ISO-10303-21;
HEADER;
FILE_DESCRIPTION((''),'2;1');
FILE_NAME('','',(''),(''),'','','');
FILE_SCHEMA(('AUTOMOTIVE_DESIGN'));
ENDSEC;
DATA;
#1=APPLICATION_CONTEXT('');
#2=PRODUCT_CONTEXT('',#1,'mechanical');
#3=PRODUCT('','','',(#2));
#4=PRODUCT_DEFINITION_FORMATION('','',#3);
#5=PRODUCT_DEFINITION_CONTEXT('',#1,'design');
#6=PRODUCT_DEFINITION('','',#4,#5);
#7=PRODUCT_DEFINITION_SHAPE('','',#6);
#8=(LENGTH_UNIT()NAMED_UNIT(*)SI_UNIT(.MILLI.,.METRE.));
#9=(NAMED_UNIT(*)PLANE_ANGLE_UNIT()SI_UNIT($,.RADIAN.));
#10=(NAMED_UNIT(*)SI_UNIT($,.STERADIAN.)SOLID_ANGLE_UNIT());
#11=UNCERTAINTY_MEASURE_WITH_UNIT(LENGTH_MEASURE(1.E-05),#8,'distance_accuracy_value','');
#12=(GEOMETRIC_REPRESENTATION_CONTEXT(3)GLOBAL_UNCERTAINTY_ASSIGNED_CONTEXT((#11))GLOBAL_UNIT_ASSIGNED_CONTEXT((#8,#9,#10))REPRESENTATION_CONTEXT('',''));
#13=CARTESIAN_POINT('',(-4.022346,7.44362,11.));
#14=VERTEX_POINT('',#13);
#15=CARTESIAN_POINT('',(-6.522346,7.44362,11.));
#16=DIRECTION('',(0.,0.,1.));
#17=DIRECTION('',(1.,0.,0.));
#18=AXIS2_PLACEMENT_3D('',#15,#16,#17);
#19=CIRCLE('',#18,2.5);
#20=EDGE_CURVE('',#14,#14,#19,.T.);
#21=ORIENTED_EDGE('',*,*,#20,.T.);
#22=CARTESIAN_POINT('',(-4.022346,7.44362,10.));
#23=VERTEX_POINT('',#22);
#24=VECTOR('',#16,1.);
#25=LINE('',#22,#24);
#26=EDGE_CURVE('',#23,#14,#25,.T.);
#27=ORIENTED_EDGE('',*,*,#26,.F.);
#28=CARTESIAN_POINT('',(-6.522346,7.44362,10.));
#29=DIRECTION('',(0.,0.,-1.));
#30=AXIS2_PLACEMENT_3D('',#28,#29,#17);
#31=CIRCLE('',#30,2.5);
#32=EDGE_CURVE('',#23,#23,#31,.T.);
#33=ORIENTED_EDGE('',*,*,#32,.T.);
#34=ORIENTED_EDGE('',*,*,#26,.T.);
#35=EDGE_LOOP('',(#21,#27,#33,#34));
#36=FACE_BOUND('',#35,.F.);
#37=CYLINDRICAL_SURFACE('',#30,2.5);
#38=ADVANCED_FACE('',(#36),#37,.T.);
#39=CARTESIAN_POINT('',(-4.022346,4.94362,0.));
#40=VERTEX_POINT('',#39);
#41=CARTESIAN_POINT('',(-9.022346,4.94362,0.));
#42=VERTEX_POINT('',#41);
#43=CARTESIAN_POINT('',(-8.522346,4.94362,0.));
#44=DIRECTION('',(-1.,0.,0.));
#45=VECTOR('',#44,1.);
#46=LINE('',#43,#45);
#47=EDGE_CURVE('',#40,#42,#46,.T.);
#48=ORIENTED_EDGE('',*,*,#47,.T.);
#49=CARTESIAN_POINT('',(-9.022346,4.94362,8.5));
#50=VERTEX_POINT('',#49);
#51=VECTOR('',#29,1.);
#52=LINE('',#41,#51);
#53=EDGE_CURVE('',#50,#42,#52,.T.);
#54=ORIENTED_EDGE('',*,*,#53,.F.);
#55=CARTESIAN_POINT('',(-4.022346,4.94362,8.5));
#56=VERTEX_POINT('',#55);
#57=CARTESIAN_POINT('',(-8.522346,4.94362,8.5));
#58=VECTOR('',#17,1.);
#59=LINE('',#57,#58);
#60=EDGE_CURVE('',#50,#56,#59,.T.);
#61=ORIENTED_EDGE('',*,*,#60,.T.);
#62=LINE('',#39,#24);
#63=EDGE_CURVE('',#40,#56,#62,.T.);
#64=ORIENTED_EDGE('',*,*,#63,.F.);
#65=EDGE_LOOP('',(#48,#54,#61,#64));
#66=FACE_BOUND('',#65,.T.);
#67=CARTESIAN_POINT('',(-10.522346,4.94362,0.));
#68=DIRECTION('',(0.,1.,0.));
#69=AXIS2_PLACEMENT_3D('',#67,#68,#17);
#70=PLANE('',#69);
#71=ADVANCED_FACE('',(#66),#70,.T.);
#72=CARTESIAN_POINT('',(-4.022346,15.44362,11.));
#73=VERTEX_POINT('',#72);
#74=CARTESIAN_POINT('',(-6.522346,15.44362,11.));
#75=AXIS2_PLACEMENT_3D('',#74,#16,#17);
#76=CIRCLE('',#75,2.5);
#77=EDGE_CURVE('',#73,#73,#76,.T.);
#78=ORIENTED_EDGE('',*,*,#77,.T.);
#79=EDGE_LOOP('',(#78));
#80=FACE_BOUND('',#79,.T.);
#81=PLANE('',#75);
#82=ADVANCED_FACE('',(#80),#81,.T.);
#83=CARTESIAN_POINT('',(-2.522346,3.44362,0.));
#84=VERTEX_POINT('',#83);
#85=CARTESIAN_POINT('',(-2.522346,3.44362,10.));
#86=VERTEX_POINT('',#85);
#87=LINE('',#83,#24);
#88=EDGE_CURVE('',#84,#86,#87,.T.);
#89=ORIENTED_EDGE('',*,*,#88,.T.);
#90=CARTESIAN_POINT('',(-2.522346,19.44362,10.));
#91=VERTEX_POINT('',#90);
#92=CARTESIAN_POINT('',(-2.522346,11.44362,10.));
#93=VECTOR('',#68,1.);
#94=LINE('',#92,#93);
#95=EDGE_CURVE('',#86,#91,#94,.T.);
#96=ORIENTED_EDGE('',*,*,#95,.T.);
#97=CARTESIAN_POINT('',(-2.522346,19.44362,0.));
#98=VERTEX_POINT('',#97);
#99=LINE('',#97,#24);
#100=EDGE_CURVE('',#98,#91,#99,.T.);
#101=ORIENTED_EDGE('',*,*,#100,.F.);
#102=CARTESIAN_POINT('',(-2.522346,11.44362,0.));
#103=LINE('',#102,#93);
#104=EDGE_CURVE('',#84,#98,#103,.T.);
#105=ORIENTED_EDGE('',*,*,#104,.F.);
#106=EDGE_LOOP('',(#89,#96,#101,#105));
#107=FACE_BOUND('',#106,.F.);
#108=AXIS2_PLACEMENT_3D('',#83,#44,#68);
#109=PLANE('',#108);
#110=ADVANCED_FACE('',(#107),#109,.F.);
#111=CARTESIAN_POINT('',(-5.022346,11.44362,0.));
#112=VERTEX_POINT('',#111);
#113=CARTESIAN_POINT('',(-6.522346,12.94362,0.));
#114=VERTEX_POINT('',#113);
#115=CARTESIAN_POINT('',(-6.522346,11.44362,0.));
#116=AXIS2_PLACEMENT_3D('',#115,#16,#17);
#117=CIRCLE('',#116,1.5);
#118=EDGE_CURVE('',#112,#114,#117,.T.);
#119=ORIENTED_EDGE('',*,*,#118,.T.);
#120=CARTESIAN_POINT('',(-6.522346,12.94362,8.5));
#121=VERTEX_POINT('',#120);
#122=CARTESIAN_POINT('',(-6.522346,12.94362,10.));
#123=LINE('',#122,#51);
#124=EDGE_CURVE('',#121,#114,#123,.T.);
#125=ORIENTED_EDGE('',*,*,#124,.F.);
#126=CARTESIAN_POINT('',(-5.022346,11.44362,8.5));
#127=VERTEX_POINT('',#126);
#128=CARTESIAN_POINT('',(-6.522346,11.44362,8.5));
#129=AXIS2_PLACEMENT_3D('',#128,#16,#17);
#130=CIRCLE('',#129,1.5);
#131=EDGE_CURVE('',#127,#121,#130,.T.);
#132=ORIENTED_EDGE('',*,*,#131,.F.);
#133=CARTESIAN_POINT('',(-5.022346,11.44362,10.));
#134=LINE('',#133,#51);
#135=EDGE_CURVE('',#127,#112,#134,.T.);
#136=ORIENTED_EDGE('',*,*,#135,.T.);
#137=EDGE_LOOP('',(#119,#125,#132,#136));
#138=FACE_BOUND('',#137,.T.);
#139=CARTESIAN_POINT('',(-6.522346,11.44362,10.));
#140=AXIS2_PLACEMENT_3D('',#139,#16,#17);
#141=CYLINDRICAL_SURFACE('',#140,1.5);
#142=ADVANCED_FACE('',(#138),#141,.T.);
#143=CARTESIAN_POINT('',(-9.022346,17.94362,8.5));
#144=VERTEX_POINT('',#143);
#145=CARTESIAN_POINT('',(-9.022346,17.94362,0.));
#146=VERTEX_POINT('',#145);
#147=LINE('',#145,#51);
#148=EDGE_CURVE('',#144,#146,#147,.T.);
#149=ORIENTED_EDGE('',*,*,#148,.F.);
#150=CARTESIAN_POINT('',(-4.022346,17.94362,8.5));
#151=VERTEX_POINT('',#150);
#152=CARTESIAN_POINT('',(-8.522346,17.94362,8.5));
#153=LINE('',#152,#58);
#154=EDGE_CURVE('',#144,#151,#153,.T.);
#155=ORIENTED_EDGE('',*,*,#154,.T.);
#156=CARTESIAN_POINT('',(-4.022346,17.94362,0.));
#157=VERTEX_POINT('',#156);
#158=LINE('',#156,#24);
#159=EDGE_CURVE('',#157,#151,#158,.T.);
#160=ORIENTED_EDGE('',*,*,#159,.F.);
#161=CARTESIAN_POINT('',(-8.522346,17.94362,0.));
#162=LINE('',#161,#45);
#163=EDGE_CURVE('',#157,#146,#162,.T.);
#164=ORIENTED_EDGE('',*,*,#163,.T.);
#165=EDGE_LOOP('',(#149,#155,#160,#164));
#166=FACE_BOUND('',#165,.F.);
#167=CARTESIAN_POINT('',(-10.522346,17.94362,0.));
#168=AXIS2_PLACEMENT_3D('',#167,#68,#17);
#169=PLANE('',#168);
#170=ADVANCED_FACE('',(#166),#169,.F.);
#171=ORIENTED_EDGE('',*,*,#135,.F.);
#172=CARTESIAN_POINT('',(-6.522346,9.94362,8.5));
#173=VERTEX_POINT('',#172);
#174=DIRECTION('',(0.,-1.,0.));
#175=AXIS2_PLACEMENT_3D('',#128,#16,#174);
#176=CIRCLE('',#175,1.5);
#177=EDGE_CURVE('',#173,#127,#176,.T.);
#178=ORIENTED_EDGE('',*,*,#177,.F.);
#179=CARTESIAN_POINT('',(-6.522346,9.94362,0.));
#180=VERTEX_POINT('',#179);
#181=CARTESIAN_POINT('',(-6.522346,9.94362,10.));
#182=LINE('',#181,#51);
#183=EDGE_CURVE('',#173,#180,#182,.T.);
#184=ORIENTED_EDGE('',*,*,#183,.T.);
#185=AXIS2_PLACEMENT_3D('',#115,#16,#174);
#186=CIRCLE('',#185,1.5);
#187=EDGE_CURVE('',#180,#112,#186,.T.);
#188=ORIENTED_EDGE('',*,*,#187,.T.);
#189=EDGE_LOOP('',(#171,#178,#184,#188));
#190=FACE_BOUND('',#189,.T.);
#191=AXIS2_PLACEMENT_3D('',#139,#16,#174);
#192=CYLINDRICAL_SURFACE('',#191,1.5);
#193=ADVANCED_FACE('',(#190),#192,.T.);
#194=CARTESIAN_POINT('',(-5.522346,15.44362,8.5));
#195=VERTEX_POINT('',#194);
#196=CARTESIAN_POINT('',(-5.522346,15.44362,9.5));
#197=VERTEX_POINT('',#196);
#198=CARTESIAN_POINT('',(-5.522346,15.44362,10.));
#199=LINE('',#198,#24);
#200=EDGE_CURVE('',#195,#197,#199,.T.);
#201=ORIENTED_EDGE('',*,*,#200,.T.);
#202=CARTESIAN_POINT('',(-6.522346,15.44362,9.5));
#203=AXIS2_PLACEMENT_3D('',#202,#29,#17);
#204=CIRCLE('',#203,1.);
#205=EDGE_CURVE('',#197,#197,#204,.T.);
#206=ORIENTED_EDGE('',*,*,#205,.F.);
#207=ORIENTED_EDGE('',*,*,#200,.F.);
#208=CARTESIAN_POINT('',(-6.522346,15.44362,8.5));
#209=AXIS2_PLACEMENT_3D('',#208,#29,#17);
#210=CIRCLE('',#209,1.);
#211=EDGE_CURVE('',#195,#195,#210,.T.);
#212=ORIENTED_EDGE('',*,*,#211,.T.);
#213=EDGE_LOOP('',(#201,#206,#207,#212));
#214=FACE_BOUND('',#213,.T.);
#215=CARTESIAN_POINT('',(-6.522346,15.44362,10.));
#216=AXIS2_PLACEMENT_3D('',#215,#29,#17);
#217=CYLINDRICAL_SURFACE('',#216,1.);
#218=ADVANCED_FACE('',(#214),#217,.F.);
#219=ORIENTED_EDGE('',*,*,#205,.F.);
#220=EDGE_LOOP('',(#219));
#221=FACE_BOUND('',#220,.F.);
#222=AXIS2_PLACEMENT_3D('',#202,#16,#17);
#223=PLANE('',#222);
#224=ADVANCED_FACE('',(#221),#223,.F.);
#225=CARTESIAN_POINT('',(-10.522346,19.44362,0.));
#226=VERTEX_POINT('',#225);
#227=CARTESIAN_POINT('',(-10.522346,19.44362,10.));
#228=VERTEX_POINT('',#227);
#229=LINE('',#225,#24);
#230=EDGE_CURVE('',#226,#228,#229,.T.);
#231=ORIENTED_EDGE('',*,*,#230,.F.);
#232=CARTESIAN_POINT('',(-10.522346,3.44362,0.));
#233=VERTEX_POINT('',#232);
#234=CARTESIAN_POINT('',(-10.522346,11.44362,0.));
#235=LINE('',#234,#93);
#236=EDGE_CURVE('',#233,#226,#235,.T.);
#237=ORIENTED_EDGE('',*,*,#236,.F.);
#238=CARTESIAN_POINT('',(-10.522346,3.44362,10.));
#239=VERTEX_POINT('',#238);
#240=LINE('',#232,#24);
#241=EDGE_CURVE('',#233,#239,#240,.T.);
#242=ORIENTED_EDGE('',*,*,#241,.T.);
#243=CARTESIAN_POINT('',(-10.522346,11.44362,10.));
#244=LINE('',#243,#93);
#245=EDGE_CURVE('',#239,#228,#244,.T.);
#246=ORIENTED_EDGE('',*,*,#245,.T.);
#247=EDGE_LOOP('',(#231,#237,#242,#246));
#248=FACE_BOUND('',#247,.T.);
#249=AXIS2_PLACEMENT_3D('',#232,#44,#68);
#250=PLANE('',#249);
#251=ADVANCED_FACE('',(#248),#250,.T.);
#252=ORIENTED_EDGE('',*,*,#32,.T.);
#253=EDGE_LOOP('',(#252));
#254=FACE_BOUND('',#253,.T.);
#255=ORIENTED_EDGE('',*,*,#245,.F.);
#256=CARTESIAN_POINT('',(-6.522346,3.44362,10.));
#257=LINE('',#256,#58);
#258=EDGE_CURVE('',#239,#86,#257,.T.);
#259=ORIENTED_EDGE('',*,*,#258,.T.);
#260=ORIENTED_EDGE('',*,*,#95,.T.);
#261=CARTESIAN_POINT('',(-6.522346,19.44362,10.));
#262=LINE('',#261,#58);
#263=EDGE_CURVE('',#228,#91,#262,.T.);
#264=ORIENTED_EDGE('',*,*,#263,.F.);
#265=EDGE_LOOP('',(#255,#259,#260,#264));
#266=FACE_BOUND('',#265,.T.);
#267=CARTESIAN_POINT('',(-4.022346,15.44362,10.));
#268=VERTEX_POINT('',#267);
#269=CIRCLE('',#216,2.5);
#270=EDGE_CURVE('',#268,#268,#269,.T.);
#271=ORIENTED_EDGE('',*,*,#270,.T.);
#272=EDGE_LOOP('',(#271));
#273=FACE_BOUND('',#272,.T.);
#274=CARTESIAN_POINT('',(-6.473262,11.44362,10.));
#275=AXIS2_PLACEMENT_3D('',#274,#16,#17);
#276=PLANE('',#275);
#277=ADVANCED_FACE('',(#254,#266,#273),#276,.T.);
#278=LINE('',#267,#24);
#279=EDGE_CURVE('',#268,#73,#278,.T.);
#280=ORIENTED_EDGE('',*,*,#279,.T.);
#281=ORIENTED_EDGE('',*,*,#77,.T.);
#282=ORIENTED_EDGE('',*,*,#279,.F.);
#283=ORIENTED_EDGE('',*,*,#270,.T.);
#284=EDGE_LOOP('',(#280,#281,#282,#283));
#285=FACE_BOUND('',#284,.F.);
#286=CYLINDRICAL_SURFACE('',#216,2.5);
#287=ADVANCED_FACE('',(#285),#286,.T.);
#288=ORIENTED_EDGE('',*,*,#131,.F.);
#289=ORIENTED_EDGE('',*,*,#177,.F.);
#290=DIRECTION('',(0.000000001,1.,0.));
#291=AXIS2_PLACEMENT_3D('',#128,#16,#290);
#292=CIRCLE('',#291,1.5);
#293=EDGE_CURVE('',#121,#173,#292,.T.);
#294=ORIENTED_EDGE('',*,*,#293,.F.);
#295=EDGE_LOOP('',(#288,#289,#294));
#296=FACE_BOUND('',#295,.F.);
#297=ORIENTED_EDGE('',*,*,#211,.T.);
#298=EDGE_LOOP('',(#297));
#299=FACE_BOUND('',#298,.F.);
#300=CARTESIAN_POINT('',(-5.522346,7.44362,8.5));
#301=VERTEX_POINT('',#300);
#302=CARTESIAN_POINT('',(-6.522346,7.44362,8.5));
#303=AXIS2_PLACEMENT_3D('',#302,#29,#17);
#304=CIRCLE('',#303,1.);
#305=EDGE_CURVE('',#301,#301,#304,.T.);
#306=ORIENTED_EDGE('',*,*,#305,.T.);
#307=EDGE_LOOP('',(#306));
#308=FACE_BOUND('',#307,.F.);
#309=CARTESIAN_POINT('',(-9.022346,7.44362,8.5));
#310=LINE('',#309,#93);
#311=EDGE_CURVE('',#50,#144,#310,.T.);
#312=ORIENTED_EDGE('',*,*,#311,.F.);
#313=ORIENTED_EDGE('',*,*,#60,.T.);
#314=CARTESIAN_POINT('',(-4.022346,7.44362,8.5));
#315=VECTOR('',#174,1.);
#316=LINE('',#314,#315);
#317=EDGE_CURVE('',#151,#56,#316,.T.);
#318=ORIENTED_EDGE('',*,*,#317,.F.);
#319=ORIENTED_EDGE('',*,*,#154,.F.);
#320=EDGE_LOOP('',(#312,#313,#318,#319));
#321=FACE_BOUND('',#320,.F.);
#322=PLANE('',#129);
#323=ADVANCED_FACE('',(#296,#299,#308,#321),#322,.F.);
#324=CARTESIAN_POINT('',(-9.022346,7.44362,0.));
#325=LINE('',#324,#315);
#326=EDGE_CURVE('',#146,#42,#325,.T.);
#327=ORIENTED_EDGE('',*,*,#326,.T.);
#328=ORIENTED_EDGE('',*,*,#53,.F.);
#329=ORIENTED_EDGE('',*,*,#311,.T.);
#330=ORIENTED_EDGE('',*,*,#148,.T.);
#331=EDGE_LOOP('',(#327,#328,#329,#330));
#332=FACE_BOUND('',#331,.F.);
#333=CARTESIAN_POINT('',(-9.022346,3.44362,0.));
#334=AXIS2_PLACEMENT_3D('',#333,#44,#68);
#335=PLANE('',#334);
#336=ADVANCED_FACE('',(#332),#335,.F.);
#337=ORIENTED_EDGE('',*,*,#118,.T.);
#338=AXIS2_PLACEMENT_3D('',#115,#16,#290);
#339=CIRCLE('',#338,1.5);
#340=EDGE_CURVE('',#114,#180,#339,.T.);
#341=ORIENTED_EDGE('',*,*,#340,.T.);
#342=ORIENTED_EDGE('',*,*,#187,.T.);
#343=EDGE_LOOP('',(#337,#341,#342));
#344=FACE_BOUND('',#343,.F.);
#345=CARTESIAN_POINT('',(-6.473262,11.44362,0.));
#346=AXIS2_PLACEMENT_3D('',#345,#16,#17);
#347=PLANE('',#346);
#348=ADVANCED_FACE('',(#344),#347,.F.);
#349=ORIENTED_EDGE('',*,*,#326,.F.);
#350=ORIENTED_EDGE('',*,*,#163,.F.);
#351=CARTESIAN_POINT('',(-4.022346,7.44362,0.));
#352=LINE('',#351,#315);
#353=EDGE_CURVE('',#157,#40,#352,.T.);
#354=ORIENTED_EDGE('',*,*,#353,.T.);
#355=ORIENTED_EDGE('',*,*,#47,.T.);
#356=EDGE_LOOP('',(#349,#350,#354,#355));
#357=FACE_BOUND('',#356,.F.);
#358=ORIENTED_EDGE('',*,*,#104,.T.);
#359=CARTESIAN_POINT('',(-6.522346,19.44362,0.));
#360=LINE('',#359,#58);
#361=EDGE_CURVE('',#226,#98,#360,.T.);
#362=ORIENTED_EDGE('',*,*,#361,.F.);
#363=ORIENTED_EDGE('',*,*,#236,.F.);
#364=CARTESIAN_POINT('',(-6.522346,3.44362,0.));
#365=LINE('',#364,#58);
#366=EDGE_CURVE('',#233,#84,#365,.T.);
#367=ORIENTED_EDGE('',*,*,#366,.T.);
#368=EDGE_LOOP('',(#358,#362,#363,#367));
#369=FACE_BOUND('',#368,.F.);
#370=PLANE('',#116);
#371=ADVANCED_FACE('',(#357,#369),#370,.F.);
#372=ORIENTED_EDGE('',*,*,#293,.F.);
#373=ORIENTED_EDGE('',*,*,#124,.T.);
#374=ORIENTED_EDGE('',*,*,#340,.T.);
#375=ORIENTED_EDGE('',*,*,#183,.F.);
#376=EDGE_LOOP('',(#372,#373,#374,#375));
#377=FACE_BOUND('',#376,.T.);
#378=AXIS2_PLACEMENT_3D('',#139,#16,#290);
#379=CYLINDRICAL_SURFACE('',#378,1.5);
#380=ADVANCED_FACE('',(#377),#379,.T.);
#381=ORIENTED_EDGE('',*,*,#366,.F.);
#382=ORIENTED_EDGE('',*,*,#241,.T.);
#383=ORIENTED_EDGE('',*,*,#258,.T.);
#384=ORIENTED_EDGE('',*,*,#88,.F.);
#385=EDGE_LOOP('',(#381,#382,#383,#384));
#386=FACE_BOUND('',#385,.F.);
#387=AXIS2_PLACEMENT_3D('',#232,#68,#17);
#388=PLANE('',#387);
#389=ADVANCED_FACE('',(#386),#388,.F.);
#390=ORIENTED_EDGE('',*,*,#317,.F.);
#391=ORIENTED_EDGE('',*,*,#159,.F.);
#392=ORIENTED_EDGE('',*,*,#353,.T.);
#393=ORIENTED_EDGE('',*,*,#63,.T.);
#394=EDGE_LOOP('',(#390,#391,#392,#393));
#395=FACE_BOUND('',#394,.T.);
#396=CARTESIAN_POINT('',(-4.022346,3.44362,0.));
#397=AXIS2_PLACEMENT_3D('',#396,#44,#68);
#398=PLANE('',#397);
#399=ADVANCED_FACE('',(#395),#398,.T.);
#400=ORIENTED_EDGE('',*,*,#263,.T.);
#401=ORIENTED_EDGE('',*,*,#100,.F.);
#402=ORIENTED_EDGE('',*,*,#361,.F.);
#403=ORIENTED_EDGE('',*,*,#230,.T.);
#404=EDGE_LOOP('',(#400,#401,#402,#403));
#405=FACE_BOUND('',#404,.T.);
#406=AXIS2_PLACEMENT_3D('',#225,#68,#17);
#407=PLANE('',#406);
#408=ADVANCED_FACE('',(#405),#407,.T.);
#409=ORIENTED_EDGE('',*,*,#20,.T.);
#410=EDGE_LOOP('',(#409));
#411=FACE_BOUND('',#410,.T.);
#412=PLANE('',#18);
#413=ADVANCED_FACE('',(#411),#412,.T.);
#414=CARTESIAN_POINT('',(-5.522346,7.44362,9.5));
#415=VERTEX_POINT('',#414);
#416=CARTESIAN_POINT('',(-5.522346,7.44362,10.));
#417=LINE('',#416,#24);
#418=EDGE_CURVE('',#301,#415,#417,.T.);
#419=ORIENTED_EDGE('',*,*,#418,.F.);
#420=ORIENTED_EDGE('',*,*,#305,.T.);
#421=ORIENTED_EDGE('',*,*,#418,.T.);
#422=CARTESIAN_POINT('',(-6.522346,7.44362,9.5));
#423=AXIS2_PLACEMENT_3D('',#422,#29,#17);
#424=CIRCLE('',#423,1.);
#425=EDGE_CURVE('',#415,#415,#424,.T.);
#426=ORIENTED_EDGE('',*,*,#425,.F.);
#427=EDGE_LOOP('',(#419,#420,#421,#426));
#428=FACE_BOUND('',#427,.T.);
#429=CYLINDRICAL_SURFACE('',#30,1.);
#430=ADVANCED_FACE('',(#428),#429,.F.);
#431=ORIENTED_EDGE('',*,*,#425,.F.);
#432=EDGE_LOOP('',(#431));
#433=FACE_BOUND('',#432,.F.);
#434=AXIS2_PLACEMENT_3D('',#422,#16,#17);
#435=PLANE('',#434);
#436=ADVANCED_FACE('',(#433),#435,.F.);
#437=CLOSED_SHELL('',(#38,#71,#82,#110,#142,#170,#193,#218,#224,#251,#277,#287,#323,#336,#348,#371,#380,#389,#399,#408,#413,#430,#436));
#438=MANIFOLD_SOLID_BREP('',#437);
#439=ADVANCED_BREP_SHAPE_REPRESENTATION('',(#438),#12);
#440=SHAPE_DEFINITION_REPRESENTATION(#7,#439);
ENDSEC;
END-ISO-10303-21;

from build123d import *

# Parameters (mm, degrees)
F0_W     = 8
F0_H     = 16
F1_DEPTH = 10
F2_R     = 2.5
F3_DEPTH = 1
F4_T     = -1.5
F6_DEPTH = 10


with BuildPart() as f1:
    # F0 (on Top) → F1 (new body)
    with BuildSketch(Plane.XY):
        with Locations((-6.5223464929, 11.4436195551)):
            Rectangle(F0_W, F0_H)
    extrude(amount=F1_DEPTH)

    # F2 (on face) → F3 (join)
    with BuildSketch(Plane.XY.offset(10)):
        with Locations((-6.5223464929, 7.4436195551)):
            Circle(F2_R)
        with Locations((-6.5223464929, 15.4436195551)):
            Circle(F2_R)
    extrude(amount=F3_DEPTH)

    # F4
    f4_openings = [f1.faces().sort_by_distance(p)[0] for p in [
        (-6.522346, 11.44362, 0),
    ]]
    offset(amount=F4_T, openings=f4_openings, kind=Kind.INTERSECTION)

    # F5 (on face) → F6 (join)
    with BuildSketch(Plane.XY.offset(10)):
        with BuildLine():
            ThreePointArc((-6.5223464929, 9.9436195551), (-5.4616863211, 10.3829593833), (-5.0223464929, 11.4436195551))
            ThreePointArc((-5.0223464929, 11.4436195551), (-5.4616863203, 12.5042797261), (-6.5223464908, 12.9436195551))
            ThreePointArc((-6.5223464908, 12.9436195551), (-8.0223464929, 11.4436195561), (-6.5223464929, 9.9436195551))
        make_face()
    extrude(amount=-F6_DEPTH)


solid = f1.part
